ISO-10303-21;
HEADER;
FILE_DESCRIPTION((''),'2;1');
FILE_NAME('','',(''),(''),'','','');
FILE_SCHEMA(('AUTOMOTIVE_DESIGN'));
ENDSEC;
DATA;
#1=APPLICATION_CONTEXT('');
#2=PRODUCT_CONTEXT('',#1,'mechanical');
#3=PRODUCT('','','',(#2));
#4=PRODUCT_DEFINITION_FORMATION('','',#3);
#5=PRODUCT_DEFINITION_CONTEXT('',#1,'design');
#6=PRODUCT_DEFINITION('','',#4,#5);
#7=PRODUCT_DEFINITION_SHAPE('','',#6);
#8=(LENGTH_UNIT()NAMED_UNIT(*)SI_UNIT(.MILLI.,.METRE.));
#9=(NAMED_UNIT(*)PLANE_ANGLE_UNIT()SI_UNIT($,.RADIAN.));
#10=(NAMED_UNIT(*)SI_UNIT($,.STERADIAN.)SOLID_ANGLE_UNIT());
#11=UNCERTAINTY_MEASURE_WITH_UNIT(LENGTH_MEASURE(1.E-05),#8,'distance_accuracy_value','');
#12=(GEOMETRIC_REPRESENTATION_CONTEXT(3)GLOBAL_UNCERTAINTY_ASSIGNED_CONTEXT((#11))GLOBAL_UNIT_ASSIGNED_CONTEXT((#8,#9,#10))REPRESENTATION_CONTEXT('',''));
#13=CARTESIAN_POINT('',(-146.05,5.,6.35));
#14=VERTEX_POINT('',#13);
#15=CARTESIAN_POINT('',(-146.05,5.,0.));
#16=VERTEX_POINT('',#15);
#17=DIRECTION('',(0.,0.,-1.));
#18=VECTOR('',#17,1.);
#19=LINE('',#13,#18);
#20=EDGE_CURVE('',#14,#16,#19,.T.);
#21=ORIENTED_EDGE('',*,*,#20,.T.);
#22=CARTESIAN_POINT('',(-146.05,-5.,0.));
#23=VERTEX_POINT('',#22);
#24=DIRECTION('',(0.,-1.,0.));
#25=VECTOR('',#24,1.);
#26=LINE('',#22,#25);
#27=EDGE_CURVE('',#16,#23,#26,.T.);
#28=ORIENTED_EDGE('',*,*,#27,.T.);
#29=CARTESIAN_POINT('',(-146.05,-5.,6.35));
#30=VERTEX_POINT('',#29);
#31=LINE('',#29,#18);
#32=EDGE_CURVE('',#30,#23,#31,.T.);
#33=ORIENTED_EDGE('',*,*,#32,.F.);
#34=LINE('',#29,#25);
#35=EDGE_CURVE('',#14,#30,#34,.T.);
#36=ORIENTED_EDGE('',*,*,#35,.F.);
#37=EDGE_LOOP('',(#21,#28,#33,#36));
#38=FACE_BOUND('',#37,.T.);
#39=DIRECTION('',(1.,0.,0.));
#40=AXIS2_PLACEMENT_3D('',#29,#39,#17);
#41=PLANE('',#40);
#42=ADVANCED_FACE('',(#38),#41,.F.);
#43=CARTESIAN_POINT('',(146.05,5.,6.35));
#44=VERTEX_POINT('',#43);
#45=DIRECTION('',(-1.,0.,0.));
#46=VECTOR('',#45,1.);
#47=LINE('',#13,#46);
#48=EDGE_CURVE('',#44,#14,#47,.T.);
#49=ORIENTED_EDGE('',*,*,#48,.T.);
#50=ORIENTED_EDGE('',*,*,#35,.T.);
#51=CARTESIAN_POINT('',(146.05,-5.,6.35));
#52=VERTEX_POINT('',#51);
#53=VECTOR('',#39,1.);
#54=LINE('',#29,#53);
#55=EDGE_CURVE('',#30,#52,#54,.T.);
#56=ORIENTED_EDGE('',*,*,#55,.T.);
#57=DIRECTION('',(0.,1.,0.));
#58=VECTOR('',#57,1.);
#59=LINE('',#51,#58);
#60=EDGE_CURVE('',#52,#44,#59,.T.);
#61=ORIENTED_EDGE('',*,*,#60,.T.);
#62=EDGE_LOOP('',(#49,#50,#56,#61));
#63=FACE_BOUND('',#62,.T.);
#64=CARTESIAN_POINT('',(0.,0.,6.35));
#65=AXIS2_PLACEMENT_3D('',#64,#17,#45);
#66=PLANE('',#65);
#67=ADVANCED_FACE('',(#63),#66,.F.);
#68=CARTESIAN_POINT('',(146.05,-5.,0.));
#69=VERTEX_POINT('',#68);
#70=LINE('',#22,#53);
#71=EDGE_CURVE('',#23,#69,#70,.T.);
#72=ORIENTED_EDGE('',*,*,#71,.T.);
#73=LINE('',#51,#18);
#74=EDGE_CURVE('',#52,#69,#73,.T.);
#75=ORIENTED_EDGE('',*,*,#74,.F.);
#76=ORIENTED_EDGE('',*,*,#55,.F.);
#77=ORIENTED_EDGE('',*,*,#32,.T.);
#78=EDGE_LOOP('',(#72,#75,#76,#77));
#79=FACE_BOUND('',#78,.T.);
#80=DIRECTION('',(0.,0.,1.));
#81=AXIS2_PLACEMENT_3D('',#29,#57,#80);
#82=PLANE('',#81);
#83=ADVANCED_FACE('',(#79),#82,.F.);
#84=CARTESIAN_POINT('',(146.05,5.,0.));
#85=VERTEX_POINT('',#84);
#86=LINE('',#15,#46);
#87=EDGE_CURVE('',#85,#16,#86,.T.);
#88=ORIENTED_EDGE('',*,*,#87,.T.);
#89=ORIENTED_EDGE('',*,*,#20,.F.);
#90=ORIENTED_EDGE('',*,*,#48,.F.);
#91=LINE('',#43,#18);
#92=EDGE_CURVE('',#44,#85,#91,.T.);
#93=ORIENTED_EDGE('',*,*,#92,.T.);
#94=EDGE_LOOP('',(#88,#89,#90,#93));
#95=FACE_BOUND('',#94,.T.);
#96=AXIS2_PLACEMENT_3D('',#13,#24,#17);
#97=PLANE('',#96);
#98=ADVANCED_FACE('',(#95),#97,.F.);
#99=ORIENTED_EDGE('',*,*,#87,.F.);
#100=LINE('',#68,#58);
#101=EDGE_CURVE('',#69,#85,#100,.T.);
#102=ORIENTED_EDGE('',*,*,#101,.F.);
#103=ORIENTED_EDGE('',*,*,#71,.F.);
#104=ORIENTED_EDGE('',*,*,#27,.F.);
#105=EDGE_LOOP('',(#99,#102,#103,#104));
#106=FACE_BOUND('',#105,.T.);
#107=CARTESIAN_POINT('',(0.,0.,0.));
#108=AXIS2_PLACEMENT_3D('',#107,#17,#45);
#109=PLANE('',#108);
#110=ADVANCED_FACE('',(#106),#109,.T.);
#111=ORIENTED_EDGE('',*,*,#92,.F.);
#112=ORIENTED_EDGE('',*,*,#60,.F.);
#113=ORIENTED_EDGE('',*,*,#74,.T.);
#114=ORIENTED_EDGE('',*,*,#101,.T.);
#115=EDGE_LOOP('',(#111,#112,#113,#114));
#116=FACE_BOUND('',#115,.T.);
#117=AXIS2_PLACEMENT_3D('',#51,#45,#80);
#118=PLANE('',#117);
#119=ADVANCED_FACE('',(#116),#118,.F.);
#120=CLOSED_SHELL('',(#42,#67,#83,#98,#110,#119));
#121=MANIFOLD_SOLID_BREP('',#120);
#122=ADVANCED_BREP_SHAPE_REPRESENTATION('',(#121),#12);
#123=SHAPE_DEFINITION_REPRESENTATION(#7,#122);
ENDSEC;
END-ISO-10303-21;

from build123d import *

# Parameters (mm, degrees)
SKETCH1_W           = 292.1
SKETCH1_H           = 10
BOSS_EXTRUDE1_DEPTH = 6.35


with BuildPart() as part:
    # Sketch1 → Boss-Extrude1 (new body)
    with BuildSketch(Plane.XY):
        Rectangle(SKETCH1_W, SKETCH1_H)
    extrude(amount=BOSS_EXTRUDE1_DEPTH)


solid = part.part
